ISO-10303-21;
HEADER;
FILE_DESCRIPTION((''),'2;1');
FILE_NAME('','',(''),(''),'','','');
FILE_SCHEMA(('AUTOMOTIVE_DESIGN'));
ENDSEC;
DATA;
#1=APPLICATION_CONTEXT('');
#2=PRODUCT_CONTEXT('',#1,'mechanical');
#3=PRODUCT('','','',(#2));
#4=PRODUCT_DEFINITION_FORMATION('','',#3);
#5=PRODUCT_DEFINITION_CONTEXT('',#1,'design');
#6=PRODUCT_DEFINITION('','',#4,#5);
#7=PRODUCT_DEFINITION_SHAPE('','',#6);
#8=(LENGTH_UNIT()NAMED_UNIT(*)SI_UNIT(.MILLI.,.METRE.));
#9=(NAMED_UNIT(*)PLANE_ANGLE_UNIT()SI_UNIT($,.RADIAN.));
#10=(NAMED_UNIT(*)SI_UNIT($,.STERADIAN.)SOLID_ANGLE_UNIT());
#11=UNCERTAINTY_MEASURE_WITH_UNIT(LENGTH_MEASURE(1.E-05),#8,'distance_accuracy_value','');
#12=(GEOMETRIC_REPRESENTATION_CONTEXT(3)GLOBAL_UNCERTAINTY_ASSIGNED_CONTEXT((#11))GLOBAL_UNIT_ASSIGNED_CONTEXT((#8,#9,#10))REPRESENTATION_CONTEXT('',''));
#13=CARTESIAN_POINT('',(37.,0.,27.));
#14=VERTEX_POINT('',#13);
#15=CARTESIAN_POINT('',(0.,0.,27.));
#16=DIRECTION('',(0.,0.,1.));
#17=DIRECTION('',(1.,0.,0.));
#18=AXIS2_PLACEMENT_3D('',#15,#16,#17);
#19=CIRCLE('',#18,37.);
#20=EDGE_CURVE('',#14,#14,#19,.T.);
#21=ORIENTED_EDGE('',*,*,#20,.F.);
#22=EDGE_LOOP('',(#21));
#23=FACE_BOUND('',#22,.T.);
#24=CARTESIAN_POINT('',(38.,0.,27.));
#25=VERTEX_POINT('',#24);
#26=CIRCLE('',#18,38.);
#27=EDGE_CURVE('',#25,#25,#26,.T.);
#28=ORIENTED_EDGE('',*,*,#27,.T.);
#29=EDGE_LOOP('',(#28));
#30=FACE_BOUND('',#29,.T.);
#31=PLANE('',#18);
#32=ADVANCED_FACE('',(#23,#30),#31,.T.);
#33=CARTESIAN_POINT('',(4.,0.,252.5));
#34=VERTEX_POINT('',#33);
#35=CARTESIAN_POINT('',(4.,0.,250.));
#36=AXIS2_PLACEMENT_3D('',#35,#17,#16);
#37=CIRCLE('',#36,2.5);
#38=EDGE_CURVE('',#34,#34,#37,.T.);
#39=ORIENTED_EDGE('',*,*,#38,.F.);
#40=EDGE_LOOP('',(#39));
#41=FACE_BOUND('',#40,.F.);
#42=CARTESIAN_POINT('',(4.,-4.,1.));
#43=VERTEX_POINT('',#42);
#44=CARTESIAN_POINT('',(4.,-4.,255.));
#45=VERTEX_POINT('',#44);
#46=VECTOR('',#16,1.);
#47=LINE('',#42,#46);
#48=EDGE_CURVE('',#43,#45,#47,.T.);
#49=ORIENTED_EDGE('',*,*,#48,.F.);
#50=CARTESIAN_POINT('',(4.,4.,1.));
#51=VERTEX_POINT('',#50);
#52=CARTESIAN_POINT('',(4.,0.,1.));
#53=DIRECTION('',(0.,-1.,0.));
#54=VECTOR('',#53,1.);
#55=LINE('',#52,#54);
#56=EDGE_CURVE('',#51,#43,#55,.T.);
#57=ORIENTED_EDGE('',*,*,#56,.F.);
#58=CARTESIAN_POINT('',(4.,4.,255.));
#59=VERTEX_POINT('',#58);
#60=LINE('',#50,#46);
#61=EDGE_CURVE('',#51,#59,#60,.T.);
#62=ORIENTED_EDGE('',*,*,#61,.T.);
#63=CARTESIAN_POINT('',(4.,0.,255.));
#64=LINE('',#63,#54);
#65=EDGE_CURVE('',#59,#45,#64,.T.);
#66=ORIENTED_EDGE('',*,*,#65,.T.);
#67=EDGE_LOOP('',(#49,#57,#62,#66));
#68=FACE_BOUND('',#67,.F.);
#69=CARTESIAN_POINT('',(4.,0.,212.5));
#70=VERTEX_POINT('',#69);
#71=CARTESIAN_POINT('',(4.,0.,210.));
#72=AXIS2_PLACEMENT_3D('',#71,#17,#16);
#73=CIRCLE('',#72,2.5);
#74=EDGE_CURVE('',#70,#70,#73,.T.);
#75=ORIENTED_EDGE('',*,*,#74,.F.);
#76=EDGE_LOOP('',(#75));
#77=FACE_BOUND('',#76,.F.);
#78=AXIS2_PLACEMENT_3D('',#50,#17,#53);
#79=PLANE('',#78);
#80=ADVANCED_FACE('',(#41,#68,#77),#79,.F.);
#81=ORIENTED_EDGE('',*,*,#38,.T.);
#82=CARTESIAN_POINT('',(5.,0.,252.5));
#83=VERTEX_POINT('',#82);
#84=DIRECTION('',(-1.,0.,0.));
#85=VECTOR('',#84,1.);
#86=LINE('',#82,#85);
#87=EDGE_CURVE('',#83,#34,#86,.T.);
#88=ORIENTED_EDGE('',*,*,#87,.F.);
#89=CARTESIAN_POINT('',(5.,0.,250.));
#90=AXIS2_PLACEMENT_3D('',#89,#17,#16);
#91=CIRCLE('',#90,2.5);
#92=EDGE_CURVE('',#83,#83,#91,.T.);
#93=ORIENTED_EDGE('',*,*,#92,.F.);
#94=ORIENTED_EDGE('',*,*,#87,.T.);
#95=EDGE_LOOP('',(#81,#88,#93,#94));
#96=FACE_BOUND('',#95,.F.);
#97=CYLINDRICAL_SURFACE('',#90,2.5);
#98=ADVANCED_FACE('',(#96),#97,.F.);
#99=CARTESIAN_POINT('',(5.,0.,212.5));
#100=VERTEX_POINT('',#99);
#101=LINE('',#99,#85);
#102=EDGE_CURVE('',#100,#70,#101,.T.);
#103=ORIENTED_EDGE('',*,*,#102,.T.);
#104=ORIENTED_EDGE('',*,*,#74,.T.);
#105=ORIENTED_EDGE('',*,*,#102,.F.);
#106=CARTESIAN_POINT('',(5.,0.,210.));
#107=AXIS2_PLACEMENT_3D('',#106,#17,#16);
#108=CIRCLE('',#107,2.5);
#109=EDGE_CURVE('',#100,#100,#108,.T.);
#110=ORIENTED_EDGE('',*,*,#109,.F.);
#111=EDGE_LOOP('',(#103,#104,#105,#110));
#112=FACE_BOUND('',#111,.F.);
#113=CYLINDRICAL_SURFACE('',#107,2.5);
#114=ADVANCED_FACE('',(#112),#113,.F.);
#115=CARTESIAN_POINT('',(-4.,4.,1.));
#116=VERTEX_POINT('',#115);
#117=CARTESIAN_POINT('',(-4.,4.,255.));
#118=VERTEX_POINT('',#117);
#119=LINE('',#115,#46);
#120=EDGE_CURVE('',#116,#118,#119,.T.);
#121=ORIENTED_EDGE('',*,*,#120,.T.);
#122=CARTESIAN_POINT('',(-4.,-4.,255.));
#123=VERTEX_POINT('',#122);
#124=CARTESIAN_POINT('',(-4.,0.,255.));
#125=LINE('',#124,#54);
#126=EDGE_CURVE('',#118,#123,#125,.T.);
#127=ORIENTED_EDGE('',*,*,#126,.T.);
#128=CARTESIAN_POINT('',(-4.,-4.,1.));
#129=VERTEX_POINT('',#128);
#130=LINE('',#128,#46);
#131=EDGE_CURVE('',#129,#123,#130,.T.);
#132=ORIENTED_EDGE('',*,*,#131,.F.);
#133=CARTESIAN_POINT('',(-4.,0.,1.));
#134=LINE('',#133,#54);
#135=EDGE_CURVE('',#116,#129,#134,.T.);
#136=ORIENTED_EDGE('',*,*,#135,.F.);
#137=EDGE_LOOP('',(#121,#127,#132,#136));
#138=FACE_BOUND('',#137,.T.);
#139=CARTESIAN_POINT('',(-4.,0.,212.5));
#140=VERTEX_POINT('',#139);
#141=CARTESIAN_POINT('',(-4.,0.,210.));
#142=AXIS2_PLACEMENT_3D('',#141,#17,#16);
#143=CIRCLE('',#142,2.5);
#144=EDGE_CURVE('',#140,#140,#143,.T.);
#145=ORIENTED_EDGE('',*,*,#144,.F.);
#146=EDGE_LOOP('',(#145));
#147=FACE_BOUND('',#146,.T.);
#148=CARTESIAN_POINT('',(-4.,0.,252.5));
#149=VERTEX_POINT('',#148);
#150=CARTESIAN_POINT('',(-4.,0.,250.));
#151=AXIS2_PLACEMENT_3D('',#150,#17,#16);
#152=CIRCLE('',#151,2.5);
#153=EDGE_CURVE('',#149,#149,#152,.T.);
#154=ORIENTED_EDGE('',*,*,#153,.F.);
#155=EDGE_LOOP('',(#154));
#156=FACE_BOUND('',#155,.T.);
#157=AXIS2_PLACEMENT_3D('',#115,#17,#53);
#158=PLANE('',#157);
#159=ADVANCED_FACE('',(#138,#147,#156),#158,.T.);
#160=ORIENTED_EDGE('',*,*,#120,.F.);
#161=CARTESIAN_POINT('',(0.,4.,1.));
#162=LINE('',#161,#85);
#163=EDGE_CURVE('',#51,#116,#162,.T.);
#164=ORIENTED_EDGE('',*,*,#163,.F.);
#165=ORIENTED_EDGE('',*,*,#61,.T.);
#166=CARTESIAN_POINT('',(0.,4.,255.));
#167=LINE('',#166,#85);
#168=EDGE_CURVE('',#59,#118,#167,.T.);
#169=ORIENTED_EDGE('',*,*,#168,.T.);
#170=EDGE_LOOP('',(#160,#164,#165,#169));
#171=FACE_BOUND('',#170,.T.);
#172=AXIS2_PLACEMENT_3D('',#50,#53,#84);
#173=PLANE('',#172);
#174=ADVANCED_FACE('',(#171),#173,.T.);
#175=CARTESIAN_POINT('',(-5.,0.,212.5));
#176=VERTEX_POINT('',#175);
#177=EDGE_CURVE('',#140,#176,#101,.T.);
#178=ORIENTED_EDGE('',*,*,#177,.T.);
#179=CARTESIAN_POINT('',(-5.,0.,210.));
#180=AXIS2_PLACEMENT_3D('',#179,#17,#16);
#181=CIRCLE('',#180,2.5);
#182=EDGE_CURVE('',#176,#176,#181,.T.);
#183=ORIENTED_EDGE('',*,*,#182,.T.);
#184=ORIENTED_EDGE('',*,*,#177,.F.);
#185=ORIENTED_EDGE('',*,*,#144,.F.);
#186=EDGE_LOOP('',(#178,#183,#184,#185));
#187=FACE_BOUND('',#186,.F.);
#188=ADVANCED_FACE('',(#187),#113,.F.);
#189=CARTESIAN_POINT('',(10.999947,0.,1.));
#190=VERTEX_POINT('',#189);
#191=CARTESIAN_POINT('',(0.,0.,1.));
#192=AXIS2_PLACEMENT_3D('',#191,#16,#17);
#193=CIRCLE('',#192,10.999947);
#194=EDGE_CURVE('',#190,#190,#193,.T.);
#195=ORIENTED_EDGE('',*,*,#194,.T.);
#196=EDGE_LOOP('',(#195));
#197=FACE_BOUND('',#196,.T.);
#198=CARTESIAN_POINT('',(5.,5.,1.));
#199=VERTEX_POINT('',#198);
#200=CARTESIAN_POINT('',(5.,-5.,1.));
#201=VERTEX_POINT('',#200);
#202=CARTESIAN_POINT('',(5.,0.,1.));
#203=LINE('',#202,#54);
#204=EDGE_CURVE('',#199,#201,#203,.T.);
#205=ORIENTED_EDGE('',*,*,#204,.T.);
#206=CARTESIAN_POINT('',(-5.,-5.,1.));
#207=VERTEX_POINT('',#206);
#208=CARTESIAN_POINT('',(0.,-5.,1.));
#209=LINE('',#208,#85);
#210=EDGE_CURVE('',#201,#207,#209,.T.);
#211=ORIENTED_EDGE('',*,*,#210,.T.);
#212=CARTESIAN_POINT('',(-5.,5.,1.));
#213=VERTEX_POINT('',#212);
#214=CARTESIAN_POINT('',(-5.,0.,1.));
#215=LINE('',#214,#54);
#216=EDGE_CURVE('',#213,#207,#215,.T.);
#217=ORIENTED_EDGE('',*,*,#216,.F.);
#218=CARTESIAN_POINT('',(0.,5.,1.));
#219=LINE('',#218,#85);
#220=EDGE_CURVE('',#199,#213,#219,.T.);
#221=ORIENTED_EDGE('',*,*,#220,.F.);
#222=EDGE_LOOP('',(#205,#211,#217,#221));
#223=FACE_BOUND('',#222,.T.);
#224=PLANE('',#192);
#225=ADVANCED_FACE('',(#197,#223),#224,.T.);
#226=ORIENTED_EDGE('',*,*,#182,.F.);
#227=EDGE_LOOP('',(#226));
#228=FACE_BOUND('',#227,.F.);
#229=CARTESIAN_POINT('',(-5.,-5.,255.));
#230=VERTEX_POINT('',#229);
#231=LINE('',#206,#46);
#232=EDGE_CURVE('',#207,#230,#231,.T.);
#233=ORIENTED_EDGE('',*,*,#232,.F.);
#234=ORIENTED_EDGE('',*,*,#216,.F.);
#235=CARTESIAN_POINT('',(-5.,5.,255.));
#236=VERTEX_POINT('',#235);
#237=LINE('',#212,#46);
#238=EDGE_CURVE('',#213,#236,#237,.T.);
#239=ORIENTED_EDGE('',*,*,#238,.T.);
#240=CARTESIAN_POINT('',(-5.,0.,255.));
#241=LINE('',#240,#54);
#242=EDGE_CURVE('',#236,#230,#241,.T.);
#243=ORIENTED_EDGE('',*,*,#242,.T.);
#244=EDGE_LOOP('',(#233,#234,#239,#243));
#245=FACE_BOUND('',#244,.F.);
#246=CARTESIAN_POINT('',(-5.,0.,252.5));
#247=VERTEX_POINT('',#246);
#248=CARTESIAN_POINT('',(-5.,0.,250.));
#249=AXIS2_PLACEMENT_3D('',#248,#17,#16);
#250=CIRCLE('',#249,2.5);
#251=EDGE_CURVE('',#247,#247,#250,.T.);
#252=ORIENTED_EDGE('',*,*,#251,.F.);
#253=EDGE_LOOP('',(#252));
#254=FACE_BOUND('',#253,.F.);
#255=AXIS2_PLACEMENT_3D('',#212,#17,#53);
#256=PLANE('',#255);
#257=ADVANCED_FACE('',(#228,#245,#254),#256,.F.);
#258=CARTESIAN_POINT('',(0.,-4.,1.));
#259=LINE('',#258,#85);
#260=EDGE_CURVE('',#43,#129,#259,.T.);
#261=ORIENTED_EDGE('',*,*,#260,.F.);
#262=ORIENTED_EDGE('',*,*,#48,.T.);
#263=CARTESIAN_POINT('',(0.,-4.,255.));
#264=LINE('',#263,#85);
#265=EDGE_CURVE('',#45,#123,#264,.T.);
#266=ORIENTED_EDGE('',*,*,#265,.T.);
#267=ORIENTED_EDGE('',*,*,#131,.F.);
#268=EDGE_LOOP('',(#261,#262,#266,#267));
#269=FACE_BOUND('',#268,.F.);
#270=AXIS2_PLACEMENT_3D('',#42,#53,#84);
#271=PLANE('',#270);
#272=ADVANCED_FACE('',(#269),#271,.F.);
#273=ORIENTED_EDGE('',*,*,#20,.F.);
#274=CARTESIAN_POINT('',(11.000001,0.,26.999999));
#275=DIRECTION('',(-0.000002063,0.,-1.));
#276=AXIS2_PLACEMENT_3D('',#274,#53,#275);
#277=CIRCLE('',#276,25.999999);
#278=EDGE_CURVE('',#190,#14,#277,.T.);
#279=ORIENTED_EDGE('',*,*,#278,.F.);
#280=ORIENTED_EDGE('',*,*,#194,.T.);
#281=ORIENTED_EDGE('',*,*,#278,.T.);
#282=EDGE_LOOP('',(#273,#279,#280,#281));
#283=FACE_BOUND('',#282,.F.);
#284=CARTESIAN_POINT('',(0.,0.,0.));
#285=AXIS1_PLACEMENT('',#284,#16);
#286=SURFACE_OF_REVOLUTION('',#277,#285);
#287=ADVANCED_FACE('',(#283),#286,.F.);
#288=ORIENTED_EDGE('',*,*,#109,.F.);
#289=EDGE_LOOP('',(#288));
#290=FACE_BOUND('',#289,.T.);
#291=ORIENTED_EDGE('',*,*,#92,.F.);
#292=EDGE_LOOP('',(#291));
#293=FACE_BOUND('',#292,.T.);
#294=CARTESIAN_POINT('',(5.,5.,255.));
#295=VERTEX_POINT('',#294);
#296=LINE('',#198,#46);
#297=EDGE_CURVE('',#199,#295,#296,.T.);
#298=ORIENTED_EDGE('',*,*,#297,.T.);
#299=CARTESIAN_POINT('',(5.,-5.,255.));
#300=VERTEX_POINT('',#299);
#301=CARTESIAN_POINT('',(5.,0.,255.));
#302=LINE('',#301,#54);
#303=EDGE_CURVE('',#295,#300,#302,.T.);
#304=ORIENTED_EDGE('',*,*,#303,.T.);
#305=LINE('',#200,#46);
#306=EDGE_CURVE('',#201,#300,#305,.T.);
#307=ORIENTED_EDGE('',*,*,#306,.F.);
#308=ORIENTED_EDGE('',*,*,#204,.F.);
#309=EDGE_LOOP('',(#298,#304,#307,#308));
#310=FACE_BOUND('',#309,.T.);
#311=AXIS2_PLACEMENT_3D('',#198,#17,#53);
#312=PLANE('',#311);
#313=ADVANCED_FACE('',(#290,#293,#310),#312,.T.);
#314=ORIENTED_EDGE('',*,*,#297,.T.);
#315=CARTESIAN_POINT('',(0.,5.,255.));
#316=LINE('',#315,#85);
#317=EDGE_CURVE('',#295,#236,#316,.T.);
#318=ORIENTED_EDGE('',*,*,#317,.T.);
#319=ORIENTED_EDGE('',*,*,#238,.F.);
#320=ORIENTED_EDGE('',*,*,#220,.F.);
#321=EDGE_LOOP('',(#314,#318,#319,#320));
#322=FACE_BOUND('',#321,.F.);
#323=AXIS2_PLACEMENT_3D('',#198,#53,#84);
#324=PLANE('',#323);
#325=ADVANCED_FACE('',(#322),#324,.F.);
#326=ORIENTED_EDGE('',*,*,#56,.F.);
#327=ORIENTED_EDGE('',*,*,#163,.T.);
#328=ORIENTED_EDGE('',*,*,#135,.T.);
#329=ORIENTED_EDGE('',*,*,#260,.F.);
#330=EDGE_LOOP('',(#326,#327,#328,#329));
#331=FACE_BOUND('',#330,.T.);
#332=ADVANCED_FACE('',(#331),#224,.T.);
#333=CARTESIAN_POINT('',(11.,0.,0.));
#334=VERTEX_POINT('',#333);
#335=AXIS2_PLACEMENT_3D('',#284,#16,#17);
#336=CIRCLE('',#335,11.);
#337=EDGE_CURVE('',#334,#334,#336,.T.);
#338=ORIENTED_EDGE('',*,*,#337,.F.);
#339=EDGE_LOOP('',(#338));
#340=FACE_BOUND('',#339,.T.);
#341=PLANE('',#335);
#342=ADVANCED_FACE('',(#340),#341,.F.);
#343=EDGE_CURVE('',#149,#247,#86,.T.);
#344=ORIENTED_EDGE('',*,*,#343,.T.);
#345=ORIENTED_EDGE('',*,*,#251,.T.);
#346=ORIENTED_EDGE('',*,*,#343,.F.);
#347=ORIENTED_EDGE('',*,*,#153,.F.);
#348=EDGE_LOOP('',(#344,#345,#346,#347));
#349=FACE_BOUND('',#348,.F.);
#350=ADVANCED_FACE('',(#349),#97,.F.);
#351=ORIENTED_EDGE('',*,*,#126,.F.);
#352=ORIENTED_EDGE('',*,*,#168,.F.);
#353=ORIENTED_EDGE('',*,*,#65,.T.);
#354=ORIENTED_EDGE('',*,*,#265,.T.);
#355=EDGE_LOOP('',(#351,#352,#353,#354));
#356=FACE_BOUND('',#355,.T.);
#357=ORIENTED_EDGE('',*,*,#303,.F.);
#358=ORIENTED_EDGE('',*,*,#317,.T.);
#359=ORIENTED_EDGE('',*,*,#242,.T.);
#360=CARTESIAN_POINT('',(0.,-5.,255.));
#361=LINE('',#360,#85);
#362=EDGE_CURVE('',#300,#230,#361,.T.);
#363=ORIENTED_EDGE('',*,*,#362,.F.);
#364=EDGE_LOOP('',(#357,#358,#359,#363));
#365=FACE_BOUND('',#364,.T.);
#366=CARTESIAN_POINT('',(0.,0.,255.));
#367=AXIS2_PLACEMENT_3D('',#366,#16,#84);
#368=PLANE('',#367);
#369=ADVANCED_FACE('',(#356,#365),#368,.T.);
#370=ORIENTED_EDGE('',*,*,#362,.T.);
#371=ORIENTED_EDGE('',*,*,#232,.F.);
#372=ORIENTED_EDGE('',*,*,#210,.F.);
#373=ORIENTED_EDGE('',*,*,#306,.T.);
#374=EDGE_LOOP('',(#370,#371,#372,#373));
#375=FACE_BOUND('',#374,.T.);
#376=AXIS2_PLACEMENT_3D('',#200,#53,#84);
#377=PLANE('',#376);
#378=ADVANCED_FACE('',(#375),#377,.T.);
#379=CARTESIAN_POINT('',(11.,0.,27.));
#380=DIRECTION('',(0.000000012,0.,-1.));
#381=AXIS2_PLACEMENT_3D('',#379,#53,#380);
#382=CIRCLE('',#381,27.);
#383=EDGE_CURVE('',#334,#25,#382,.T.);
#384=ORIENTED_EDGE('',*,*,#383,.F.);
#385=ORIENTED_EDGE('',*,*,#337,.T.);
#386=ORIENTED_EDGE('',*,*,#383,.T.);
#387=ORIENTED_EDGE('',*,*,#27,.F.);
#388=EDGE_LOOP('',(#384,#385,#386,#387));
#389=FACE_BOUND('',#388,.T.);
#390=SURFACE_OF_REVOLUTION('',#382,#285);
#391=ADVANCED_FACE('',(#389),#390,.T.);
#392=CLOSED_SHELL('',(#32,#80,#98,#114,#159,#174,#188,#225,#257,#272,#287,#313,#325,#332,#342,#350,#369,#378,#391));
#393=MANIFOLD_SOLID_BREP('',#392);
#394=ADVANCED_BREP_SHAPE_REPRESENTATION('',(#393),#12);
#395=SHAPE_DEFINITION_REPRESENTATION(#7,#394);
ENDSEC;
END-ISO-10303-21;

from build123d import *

# Parameters (mm, degrees)
SKETCH001_W   = 10
SKETCH001_H   = 10
SKETCH001_W_2 = 8
SKETCH001_H_2 = 8
PAD_DEPTH     = 254
SKETCH002_R   = 2.5
POCKET_DEPTH  = 43.001


with BuildPart() as part:
    # Sketch → Revolution (revolve)
    with BuildSketch(Plane.XZ):
        with BuildLine():
            Line((0, 0), (11, 0))
            ThreePointArc((11, 0), (30.091883, 7.908117), (38, 27))
            Line((38, 27), (37, 27))
            ThreePointArc((10.999947, 1), (29.384758, 8.615205), (37, 27))
            Line((10.999947, 1), (0, 1))
            Line((0, 0), (0, 1))
        make_face()
    revolve(axis=Axis((0, 0, 0), (0, 0, 1)))

    # Sketch001 (on Face5 of Revolution) → Pad (new body)
    with BuildSketch(Plane(origin=(0, 0, 1), x_dir=(-1, 0, 0), z_dir=(0, 0, 1))):
        Rectangle(SKETCH001_W, SKETCH001_H)
        Rectangle(SKETCH001_W_2, SKETCH001_H_2, mode=Mode.SUBTRACT)
    extrude(amount=PAD_DEPTH)

    # Sketch002 (on Face9 of Pad) → Pocket (cut, through all)
    with BuildSketch(Plane(origin=(5, 0, 0), x_dir=(0, 0, 1), z_dir=(1, 0, 0))):
        with Locations((250, 0)):
            Circle(SKETCH002_R)
        with Locations((210, 0)):
            Circle(SKETCH002_R)
    extrude(amount=-POCKET_DEPTH, mode=Mode.SUBTRACT)


solid = part.part
